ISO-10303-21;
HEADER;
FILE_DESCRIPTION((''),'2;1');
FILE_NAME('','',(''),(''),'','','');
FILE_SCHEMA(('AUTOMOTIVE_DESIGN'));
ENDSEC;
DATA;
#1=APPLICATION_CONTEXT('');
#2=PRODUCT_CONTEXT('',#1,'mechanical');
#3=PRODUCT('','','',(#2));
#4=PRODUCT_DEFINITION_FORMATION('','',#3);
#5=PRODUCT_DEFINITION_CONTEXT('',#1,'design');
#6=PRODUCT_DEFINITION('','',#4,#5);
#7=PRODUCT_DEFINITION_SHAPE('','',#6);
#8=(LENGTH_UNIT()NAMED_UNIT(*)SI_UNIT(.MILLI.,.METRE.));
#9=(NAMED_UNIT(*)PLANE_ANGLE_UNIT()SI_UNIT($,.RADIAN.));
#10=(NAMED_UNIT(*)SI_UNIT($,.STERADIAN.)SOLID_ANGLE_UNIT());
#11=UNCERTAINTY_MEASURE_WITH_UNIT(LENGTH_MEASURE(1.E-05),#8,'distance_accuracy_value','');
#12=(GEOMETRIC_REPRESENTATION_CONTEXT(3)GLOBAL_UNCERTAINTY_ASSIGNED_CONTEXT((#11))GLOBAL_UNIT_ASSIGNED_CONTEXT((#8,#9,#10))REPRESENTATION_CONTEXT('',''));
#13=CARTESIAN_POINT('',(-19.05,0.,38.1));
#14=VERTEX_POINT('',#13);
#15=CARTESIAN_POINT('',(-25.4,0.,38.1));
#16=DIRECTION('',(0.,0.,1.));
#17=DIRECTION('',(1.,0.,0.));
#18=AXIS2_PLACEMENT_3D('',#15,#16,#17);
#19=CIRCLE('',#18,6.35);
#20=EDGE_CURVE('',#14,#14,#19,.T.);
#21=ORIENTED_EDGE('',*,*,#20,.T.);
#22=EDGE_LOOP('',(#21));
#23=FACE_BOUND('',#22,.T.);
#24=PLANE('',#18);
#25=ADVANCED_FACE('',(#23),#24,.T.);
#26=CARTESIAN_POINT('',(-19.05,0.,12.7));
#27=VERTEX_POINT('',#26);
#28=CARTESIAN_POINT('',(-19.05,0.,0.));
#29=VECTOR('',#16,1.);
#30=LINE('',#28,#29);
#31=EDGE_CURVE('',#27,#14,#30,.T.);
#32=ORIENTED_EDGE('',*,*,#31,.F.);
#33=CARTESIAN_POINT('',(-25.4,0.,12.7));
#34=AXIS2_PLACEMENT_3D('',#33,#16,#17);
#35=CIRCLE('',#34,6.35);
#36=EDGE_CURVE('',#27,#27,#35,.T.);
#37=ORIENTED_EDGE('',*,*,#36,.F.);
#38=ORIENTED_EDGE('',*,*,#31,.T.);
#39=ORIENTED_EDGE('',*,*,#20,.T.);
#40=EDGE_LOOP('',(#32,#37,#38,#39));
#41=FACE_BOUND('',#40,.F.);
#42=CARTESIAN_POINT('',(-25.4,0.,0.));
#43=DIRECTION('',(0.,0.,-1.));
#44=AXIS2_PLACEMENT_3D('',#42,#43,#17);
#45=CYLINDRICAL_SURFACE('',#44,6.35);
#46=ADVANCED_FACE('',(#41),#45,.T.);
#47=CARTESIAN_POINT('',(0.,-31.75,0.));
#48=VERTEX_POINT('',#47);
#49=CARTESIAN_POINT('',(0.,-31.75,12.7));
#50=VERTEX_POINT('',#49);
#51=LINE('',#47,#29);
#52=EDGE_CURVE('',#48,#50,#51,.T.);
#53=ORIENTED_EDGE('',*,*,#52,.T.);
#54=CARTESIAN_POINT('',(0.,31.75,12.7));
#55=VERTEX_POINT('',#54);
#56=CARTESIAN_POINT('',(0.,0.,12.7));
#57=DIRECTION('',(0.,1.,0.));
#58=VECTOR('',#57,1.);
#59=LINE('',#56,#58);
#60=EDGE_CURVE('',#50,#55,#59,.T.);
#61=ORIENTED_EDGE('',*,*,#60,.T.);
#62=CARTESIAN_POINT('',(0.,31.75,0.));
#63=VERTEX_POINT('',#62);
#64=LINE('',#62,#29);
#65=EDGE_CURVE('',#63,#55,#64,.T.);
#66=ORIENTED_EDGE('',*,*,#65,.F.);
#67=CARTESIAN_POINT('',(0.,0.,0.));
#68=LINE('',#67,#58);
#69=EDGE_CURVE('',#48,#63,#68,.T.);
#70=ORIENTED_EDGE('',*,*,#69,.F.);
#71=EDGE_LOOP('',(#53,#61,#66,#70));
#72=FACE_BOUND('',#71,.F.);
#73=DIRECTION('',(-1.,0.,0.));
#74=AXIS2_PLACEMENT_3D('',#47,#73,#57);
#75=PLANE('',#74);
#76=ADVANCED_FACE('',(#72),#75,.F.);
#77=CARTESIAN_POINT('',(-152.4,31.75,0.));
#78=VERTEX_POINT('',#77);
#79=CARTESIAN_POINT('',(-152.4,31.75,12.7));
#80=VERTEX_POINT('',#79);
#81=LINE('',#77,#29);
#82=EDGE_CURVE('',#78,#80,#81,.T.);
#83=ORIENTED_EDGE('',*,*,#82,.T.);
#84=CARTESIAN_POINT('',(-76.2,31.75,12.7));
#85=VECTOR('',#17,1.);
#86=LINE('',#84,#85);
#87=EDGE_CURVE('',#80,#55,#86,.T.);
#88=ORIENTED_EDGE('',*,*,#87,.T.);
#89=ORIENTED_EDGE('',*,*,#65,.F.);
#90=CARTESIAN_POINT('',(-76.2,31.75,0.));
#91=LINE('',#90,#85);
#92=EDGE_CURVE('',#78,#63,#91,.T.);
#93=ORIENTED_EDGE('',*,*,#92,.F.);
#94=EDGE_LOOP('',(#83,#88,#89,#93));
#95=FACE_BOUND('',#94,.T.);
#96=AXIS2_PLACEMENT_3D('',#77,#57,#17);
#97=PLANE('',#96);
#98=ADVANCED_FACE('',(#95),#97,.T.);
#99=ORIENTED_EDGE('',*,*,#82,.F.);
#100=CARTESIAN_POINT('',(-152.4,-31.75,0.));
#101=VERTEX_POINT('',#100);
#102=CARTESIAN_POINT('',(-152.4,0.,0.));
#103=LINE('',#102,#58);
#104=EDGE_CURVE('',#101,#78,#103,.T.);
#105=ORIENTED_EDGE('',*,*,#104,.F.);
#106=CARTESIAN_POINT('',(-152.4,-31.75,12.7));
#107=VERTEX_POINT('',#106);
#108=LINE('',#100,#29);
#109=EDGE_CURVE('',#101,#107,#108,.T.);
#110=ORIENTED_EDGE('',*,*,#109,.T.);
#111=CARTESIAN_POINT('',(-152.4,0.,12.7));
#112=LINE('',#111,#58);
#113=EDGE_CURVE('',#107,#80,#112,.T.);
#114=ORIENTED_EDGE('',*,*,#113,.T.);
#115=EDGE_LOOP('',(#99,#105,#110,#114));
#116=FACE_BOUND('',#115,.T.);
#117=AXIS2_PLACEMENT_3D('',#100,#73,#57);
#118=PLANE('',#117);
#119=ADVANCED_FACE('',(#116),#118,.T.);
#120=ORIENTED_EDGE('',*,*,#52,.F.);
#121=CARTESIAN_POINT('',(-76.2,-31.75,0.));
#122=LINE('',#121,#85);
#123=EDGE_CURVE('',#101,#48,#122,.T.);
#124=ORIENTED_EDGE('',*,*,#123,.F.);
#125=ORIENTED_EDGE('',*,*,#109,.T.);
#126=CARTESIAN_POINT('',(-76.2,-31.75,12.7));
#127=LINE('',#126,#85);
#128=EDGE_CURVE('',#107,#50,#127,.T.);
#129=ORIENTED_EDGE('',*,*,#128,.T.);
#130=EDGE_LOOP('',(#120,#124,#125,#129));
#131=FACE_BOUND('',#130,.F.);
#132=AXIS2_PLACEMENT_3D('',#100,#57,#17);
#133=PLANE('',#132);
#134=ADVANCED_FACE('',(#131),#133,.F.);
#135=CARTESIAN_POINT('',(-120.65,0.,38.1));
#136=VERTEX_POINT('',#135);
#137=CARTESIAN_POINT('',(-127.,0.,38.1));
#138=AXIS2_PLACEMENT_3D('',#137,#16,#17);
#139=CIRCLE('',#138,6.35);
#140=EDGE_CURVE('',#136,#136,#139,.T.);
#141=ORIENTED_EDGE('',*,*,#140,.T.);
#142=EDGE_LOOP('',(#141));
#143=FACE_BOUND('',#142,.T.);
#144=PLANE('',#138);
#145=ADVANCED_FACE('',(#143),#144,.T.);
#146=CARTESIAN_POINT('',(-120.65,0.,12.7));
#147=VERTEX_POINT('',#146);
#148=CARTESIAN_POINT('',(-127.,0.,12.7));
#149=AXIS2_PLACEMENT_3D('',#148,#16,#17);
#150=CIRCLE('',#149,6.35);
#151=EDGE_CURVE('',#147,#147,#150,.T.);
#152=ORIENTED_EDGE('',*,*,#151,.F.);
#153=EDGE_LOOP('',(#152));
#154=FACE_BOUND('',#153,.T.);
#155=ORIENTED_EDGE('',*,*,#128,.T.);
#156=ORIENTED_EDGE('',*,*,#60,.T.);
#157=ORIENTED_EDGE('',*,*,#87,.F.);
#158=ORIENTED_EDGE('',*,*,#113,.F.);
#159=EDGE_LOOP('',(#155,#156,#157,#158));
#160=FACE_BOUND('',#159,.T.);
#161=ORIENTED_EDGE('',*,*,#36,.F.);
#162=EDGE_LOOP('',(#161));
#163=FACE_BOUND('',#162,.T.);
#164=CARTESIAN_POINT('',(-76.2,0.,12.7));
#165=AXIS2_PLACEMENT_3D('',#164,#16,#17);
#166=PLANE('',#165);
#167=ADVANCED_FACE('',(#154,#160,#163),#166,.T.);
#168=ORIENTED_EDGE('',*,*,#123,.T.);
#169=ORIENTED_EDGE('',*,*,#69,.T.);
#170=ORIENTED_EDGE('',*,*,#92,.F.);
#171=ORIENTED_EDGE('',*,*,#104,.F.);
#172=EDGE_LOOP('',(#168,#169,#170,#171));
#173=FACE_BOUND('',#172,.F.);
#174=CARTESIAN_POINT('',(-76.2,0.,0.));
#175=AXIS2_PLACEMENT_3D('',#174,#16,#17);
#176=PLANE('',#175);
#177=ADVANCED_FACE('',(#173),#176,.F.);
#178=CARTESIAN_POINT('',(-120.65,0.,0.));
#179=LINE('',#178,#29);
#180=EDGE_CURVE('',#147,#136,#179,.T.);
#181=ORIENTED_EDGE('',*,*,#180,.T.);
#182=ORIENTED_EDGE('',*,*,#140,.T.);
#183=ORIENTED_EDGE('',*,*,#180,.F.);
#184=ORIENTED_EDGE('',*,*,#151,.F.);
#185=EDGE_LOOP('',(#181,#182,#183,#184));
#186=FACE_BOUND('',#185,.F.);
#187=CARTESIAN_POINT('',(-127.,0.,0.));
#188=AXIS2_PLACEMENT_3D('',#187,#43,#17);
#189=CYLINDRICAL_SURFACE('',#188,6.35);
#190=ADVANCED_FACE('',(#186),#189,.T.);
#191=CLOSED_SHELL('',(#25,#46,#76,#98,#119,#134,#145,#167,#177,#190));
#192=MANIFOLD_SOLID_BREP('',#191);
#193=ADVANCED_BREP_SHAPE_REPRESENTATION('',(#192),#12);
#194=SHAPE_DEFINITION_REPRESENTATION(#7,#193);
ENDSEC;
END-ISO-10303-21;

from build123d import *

# Parameters (mm, degrees)
F0_W     = 152.4
F0_H     = 63.5
F0_R     = 6.35
F1_DEPTH = 12.7
F2_DEPTH = 38.1


with BuildPart() as f1:
    # F0 (on Top) → F1 (new body)
    with BuildSketch(Plane.XY):
        with Locations((-76.2, 0)):
            Rectangle(F0_W, F0_H)
        with Locations((-127, 0)):
            Circle(F0_R, mode=Mode.SUBTRACT)
        with Locations((-25.4, 0)):
            Circle(F0_R, mode=Mode.SUBTRACT)
    extrude(amount=F1_DEPTH)

    # F0 (on Top) → F2 (join)
    with BuildSketch(Plane.XY):
        with Locations((-127, 0)):
            Circle(F0_R)
        with Locations((-25.4, 0)):
            Circle(F0_R)
    extrude(amount=F2_DEPTH)


solid = f1.part
